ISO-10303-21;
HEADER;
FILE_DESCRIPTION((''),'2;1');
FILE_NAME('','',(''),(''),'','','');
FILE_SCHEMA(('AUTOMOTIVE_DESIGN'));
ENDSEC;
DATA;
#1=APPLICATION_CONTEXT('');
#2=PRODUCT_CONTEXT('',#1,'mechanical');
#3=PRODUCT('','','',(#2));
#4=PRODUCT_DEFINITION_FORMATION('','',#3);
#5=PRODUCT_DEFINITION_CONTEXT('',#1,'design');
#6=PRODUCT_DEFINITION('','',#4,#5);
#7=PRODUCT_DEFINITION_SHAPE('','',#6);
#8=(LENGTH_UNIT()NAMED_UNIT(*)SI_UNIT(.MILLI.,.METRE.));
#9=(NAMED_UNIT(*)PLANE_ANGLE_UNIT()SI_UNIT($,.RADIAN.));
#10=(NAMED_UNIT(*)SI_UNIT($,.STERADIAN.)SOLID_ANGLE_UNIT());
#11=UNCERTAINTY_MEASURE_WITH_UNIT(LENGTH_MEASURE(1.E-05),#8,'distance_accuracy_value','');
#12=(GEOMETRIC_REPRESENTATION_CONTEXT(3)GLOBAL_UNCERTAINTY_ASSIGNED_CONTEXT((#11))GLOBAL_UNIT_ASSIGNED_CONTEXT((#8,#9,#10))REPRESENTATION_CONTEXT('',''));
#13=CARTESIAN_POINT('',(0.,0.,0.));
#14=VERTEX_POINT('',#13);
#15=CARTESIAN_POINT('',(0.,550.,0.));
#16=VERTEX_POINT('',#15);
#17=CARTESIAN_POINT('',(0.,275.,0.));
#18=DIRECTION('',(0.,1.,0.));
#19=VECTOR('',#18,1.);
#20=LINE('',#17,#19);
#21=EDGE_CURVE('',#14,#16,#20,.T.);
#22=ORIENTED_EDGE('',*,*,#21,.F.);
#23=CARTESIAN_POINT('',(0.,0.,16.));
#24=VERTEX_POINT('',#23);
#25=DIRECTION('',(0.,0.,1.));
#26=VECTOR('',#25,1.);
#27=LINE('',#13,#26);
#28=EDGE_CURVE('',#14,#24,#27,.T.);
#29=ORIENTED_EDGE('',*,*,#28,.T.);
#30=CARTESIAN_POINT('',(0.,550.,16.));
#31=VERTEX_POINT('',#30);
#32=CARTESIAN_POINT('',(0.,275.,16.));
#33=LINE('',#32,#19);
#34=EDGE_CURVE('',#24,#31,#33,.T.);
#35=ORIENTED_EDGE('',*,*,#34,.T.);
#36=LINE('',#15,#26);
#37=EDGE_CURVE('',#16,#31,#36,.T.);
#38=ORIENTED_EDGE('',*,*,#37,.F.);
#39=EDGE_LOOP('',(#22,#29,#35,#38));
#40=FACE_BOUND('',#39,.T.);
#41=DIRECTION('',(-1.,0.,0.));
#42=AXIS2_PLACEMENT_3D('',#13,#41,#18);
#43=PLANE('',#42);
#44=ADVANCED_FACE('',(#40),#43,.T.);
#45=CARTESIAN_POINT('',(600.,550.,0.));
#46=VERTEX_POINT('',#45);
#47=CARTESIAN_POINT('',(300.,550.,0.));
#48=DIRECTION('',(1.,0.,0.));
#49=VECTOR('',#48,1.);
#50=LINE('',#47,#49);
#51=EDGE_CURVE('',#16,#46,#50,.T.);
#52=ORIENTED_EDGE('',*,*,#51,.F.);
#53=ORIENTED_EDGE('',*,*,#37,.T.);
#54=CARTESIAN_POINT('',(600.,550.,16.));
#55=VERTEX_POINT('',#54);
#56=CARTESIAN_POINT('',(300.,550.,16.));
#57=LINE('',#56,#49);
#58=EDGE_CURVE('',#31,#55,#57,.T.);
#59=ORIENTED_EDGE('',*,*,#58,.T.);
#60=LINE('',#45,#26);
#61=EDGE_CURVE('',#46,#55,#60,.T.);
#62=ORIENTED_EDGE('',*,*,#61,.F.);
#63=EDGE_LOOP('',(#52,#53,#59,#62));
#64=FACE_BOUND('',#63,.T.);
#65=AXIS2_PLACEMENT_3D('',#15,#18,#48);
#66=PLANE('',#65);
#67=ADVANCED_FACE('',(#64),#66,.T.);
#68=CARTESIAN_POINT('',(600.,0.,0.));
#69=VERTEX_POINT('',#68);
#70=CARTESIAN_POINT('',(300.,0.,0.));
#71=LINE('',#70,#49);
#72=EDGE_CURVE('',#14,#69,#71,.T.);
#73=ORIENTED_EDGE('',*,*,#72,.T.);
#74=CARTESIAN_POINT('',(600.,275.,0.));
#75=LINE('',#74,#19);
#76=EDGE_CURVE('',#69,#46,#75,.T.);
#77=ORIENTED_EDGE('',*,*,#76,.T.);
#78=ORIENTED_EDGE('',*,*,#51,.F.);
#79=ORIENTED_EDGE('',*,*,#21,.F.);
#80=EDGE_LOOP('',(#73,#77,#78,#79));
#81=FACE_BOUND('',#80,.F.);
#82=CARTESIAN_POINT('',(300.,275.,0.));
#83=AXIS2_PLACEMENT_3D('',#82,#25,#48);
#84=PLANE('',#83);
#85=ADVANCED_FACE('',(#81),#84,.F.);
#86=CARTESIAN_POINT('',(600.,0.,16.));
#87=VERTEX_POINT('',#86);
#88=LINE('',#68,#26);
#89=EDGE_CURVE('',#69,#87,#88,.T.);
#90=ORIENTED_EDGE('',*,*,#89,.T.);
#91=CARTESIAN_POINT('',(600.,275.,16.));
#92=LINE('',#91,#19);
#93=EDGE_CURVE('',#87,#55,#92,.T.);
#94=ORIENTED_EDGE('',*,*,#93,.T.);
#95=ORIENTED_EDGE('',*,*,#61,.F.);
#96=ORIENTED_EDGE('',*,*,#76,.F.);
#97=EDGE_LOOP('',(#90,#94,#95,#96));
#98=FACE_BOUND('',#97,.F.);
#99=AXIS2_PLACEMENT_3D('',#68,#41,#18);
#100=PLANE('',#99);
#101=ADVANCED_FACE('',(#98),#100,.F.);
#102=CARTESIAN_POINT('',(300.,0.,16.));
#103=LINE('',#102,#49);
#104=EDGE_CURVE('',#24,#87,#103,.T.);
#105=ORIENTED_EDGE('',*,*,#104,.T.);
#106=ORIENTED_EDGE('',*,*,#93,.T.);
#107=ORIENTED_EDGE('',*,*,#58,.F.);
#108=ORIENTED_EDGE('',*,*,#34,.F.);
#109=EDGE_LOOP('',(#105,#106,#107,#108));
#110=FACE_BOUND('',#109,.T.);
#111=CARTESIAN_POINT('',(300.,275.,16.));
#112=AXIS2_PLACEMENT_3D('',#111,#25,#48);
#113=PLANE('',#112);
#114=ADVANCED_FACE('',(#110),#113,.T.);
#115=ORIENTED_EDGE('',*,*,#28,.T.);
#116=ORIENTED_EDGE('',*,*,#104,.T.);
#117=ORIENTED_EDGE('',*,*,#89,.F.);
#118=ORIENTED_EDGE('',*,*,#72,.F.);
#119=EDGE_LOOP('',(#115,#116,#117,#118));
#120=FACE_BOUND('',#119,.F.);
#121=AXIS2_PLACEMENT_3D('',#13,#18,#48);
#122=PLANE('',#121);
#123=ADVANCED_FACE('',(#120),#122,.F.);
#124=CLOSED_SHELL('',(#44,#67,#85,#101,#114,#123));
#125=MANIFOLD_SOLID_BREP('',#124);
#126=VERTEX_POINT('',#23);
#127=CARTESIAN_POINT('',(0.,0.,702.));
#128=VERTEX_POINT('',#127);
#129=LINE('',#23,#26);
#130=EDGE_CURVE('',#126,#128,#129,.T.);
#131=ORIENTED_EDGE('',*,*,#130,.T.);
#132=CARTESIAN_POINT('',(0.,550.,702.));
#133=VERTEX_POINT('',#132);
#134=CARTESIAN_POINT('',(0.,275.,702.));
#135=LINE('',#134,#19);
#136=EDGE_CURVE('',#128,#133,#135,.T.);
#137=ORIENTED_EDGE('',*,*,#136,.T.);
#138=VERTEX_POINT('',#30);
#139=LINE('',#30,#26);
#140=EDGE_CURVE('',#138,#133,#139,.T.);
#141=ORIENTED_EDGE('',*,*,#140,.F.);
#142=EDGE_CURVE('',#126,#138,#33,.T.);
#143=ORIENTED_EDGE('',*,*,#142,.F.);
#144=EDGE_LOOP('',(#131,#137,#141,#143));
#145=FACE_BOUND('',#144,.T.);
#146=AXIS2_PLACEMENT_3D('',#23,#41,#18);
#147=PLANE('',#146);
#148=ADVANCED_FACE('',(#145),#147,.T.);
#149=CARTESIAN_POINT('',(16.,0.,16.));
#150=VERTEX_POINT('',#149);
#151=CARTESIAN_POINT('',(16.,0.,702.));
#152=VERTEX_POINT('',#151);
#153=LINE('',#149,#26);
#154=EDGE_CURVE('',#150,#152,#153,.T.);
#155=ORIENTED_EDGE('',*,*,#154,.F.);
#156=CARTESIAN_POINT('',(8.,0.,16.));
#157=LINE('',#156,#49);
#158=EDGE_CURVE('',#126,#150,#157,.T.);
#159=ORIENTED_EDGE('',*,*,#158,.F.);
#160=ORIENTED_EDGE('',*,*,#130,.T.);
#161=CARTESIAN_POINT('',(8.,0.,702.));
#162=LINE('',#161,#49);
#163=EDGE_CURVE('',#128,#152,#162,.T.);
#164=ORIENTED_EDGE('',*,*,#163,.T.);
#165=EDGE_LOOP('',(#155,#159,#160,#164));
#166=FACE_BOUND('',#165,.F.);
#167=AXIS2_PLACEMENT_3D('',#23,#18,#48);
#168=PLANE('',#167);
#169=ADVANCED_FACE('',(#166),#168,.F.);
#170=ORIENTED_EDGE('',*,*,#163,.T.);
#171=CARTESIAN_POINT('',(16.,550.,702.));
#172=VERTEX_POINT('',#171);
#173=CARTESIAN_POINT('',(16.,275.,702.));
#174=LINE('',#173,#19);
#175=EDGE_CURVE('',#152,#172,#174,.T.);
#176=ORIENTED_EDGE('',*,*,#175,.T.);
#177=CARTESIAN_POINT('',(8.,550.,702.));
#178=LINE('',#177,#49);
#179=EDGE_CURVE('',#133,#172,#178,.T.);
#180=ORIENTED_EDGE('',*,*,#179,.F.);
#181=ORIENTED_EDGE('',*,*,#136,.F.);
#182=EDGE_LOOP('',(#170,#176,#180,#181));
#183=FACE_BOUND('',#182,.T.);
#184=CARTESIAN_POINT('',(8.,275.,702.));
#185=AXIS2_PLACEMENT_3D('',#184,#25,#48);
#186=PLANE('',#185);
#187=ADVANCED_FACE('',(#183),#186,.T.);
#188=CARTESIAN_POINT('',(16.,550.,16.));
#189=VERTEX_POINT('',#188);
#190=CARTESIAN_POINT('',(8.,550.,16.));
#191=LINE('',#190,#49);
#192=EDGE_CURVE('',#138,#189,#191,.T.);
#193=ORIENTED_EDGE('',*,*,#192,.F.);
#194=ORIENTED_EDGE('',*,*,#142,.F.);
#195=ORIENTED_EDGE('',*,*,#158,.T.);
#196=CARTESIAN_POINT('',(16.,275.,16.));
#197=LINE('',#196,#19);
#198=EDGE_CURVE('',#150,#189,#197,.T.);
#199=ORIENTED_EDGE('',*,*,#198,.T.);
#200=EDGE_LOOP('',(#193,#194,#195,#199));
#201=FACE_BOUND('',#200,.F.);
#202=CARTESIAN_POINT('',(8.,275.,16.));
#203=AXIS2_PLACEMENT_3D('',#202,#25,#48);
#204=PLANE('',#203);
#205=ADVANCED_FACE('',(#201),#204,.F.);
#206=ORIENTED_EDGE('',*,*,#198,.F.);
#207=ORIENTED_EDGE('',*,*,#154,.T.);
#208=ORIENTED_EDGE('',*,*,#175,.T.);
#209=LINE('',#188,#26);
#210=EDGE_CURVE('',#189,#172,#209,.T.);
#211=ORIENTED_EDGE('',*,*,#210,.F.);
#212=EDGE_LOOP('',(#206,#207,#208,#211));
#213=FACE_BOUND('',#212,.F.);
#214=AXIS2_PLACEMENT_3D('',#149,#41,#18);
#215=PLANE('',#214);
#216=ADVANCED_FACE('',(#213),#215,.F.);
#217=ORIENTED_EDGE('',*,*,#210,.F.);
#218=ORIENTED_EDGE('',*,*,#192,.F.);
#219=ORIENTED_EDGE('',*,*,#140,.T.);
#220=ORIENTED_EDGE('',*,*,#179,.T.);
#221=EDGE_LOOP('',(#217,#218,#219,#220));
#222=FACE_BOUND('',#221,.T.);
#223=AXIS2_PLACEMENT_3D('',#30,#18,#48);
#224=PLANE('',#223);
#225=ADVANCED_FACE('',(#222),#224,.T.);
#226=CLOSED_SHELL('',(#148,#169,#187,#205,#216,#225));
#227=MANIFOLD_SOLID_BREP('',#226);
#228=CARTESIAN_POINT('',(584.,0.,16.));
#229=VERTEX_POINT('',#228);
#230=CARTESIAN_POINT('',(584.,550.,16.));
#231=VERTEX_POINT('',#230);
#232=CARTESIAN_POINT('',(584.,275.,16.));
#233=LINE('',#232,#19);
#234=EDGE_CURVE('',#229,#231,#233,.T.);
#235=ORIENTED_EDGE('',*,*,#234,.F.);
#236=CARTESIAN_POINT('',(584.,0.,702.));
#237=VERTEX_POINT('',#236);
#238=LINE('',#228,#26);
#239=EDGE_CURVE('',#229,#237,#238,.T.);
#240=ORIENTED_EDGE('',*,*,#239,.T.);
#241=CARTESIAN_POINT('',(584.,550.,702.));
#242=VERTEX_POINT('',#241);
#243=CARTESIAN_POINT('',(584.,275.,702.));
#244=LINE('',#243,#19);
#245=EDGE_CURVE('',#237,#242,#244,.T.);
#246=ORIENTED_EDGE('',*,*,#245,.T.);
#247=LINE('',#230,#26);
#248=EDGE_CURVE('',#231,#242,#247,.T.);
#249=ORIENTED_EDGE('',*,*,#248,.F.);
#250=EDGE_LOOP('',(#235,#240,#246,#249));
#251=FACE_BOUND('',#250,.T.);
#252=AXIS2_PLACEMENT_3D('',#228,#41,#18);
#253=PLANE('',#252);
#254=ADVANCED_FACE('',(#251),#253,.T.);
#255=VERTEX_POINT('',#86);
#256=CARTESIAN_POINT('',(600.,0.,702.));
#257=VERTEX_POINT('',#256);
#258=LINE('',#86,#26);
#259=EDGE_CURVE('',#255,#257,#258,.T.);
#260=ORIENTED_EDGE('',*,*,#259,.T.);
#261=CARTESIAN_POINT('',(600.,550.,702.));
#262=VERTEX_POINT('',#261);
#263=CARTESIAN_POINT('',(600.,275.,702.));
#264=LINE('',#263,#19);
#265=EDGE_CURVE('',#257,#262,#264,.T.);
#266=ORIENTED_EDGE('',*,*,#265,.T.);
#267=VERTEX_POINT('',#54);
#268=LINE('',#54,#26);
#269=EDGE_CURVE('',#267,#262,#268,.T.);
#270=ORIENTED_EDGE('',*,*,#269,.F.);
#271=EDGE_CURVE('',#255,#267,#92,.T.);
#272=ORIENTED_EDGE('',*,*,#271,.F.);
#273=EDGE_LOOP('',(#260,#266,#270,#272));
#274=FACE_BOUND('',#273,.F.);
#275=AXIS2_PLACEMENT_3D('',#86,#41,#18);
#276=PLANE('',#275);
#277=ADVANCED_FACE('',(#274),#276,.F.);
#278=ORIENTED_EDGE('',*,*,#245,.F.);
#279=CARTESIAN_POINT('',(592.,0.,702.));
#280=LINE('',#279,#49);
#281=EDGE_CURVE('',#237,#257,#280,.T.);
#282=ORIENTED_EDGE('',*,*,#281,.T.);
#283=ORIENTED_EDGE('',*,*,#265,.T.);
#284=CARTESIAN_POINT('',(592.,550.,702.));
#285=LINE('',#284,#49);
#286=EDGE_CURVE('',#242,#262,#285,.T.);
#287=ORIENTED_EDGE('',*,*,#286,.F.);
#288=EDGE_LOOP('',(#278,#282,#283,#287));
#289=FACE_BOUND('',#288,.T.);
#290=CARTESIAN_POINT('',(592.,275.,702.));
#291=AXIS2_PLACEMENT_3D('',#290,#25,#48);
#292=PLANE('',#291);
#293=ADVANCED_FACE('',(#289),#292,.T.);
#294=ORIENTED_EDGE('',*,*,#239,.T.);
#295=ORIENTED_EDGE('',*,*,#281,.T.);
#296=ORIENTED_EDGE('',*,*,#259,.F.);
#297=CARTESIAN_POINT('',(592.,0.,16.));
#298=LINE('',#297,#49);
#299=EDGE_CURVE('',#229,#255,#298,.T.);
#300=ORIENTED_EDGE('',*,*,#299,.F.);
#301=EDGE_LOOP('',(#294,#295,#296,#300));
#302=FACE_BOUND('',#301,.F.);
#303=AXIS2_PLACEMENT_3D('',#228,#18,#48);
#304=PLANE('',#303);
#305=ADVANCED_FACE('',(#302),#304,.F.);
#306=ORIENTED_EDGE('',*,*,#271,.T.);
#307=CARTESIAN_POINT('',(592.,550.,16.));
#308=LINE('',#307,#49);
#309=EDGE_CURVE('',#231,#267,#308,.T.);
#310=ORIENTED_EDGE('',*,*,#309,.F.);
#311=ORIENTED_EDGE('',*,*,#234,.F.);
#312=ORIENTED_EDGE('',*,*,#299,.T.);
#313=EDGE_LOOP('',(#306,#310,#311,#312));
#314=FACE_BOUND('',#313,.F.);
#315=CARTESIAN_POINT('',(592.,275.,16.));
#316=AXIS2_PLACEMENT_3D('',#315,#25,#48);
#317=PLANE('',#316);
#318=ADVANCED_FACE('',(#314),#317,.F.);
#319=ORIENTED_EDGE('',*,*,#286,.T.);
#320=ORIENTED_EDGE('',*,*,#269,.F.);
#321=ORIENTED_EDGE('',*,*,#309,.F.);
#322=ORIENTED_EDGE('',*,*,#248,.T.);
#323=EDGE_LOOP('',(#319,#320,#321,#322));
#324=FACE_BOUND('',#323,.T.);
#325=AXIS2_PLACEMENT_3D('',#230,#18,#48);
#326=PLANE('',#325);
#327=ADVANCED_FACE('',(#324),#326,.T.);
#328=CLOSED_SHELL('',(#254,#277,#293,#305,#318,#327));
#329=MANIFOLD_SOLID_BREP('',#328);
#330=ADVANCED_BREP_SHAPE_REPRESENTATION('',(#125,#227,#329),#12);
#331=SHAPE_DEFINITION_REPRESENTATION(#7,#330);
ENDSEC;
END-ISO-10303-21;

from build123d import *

# Parameters (mm, degrees)
F0_W     = 600
F0_H     = 550
F1_DEPTH = 16
F2_W     = 16
F2_H     = 550
F3_DEPTH = 686
F4_W     = 16
F4_H     = 550
F5_DEPTH = 686


with BuildPart() as f1:
    # F0 (on Top) → F1 (new body)
    with BuildSketch(Plane.XY):
        with Locations((300, 275)):
            Rectangle(F0_W, F0_H)
    extrude(amount=F1_DEPTH)


with BuildPart() as f3:
    # F2 (on face) → F3 (new body)
    with BuildSketch(Plane.XY.offset(16)):
        with Locations((8, 275)):
            Rectangle(F2_W, F2_H)
    extrude(amount=F3_DEPTH)


with BuildPart() as f5:
    # F4 (on face) → F5 (new body)
    with BuildSketch(Plane.XY.offset(16)):
        with Locations((592, 275)):
            Rectangle(F4_W, F4_H)
    extrude(amount=F5_DEPTH)


solid = Compound([f1.part, f3.part, f5.part])
